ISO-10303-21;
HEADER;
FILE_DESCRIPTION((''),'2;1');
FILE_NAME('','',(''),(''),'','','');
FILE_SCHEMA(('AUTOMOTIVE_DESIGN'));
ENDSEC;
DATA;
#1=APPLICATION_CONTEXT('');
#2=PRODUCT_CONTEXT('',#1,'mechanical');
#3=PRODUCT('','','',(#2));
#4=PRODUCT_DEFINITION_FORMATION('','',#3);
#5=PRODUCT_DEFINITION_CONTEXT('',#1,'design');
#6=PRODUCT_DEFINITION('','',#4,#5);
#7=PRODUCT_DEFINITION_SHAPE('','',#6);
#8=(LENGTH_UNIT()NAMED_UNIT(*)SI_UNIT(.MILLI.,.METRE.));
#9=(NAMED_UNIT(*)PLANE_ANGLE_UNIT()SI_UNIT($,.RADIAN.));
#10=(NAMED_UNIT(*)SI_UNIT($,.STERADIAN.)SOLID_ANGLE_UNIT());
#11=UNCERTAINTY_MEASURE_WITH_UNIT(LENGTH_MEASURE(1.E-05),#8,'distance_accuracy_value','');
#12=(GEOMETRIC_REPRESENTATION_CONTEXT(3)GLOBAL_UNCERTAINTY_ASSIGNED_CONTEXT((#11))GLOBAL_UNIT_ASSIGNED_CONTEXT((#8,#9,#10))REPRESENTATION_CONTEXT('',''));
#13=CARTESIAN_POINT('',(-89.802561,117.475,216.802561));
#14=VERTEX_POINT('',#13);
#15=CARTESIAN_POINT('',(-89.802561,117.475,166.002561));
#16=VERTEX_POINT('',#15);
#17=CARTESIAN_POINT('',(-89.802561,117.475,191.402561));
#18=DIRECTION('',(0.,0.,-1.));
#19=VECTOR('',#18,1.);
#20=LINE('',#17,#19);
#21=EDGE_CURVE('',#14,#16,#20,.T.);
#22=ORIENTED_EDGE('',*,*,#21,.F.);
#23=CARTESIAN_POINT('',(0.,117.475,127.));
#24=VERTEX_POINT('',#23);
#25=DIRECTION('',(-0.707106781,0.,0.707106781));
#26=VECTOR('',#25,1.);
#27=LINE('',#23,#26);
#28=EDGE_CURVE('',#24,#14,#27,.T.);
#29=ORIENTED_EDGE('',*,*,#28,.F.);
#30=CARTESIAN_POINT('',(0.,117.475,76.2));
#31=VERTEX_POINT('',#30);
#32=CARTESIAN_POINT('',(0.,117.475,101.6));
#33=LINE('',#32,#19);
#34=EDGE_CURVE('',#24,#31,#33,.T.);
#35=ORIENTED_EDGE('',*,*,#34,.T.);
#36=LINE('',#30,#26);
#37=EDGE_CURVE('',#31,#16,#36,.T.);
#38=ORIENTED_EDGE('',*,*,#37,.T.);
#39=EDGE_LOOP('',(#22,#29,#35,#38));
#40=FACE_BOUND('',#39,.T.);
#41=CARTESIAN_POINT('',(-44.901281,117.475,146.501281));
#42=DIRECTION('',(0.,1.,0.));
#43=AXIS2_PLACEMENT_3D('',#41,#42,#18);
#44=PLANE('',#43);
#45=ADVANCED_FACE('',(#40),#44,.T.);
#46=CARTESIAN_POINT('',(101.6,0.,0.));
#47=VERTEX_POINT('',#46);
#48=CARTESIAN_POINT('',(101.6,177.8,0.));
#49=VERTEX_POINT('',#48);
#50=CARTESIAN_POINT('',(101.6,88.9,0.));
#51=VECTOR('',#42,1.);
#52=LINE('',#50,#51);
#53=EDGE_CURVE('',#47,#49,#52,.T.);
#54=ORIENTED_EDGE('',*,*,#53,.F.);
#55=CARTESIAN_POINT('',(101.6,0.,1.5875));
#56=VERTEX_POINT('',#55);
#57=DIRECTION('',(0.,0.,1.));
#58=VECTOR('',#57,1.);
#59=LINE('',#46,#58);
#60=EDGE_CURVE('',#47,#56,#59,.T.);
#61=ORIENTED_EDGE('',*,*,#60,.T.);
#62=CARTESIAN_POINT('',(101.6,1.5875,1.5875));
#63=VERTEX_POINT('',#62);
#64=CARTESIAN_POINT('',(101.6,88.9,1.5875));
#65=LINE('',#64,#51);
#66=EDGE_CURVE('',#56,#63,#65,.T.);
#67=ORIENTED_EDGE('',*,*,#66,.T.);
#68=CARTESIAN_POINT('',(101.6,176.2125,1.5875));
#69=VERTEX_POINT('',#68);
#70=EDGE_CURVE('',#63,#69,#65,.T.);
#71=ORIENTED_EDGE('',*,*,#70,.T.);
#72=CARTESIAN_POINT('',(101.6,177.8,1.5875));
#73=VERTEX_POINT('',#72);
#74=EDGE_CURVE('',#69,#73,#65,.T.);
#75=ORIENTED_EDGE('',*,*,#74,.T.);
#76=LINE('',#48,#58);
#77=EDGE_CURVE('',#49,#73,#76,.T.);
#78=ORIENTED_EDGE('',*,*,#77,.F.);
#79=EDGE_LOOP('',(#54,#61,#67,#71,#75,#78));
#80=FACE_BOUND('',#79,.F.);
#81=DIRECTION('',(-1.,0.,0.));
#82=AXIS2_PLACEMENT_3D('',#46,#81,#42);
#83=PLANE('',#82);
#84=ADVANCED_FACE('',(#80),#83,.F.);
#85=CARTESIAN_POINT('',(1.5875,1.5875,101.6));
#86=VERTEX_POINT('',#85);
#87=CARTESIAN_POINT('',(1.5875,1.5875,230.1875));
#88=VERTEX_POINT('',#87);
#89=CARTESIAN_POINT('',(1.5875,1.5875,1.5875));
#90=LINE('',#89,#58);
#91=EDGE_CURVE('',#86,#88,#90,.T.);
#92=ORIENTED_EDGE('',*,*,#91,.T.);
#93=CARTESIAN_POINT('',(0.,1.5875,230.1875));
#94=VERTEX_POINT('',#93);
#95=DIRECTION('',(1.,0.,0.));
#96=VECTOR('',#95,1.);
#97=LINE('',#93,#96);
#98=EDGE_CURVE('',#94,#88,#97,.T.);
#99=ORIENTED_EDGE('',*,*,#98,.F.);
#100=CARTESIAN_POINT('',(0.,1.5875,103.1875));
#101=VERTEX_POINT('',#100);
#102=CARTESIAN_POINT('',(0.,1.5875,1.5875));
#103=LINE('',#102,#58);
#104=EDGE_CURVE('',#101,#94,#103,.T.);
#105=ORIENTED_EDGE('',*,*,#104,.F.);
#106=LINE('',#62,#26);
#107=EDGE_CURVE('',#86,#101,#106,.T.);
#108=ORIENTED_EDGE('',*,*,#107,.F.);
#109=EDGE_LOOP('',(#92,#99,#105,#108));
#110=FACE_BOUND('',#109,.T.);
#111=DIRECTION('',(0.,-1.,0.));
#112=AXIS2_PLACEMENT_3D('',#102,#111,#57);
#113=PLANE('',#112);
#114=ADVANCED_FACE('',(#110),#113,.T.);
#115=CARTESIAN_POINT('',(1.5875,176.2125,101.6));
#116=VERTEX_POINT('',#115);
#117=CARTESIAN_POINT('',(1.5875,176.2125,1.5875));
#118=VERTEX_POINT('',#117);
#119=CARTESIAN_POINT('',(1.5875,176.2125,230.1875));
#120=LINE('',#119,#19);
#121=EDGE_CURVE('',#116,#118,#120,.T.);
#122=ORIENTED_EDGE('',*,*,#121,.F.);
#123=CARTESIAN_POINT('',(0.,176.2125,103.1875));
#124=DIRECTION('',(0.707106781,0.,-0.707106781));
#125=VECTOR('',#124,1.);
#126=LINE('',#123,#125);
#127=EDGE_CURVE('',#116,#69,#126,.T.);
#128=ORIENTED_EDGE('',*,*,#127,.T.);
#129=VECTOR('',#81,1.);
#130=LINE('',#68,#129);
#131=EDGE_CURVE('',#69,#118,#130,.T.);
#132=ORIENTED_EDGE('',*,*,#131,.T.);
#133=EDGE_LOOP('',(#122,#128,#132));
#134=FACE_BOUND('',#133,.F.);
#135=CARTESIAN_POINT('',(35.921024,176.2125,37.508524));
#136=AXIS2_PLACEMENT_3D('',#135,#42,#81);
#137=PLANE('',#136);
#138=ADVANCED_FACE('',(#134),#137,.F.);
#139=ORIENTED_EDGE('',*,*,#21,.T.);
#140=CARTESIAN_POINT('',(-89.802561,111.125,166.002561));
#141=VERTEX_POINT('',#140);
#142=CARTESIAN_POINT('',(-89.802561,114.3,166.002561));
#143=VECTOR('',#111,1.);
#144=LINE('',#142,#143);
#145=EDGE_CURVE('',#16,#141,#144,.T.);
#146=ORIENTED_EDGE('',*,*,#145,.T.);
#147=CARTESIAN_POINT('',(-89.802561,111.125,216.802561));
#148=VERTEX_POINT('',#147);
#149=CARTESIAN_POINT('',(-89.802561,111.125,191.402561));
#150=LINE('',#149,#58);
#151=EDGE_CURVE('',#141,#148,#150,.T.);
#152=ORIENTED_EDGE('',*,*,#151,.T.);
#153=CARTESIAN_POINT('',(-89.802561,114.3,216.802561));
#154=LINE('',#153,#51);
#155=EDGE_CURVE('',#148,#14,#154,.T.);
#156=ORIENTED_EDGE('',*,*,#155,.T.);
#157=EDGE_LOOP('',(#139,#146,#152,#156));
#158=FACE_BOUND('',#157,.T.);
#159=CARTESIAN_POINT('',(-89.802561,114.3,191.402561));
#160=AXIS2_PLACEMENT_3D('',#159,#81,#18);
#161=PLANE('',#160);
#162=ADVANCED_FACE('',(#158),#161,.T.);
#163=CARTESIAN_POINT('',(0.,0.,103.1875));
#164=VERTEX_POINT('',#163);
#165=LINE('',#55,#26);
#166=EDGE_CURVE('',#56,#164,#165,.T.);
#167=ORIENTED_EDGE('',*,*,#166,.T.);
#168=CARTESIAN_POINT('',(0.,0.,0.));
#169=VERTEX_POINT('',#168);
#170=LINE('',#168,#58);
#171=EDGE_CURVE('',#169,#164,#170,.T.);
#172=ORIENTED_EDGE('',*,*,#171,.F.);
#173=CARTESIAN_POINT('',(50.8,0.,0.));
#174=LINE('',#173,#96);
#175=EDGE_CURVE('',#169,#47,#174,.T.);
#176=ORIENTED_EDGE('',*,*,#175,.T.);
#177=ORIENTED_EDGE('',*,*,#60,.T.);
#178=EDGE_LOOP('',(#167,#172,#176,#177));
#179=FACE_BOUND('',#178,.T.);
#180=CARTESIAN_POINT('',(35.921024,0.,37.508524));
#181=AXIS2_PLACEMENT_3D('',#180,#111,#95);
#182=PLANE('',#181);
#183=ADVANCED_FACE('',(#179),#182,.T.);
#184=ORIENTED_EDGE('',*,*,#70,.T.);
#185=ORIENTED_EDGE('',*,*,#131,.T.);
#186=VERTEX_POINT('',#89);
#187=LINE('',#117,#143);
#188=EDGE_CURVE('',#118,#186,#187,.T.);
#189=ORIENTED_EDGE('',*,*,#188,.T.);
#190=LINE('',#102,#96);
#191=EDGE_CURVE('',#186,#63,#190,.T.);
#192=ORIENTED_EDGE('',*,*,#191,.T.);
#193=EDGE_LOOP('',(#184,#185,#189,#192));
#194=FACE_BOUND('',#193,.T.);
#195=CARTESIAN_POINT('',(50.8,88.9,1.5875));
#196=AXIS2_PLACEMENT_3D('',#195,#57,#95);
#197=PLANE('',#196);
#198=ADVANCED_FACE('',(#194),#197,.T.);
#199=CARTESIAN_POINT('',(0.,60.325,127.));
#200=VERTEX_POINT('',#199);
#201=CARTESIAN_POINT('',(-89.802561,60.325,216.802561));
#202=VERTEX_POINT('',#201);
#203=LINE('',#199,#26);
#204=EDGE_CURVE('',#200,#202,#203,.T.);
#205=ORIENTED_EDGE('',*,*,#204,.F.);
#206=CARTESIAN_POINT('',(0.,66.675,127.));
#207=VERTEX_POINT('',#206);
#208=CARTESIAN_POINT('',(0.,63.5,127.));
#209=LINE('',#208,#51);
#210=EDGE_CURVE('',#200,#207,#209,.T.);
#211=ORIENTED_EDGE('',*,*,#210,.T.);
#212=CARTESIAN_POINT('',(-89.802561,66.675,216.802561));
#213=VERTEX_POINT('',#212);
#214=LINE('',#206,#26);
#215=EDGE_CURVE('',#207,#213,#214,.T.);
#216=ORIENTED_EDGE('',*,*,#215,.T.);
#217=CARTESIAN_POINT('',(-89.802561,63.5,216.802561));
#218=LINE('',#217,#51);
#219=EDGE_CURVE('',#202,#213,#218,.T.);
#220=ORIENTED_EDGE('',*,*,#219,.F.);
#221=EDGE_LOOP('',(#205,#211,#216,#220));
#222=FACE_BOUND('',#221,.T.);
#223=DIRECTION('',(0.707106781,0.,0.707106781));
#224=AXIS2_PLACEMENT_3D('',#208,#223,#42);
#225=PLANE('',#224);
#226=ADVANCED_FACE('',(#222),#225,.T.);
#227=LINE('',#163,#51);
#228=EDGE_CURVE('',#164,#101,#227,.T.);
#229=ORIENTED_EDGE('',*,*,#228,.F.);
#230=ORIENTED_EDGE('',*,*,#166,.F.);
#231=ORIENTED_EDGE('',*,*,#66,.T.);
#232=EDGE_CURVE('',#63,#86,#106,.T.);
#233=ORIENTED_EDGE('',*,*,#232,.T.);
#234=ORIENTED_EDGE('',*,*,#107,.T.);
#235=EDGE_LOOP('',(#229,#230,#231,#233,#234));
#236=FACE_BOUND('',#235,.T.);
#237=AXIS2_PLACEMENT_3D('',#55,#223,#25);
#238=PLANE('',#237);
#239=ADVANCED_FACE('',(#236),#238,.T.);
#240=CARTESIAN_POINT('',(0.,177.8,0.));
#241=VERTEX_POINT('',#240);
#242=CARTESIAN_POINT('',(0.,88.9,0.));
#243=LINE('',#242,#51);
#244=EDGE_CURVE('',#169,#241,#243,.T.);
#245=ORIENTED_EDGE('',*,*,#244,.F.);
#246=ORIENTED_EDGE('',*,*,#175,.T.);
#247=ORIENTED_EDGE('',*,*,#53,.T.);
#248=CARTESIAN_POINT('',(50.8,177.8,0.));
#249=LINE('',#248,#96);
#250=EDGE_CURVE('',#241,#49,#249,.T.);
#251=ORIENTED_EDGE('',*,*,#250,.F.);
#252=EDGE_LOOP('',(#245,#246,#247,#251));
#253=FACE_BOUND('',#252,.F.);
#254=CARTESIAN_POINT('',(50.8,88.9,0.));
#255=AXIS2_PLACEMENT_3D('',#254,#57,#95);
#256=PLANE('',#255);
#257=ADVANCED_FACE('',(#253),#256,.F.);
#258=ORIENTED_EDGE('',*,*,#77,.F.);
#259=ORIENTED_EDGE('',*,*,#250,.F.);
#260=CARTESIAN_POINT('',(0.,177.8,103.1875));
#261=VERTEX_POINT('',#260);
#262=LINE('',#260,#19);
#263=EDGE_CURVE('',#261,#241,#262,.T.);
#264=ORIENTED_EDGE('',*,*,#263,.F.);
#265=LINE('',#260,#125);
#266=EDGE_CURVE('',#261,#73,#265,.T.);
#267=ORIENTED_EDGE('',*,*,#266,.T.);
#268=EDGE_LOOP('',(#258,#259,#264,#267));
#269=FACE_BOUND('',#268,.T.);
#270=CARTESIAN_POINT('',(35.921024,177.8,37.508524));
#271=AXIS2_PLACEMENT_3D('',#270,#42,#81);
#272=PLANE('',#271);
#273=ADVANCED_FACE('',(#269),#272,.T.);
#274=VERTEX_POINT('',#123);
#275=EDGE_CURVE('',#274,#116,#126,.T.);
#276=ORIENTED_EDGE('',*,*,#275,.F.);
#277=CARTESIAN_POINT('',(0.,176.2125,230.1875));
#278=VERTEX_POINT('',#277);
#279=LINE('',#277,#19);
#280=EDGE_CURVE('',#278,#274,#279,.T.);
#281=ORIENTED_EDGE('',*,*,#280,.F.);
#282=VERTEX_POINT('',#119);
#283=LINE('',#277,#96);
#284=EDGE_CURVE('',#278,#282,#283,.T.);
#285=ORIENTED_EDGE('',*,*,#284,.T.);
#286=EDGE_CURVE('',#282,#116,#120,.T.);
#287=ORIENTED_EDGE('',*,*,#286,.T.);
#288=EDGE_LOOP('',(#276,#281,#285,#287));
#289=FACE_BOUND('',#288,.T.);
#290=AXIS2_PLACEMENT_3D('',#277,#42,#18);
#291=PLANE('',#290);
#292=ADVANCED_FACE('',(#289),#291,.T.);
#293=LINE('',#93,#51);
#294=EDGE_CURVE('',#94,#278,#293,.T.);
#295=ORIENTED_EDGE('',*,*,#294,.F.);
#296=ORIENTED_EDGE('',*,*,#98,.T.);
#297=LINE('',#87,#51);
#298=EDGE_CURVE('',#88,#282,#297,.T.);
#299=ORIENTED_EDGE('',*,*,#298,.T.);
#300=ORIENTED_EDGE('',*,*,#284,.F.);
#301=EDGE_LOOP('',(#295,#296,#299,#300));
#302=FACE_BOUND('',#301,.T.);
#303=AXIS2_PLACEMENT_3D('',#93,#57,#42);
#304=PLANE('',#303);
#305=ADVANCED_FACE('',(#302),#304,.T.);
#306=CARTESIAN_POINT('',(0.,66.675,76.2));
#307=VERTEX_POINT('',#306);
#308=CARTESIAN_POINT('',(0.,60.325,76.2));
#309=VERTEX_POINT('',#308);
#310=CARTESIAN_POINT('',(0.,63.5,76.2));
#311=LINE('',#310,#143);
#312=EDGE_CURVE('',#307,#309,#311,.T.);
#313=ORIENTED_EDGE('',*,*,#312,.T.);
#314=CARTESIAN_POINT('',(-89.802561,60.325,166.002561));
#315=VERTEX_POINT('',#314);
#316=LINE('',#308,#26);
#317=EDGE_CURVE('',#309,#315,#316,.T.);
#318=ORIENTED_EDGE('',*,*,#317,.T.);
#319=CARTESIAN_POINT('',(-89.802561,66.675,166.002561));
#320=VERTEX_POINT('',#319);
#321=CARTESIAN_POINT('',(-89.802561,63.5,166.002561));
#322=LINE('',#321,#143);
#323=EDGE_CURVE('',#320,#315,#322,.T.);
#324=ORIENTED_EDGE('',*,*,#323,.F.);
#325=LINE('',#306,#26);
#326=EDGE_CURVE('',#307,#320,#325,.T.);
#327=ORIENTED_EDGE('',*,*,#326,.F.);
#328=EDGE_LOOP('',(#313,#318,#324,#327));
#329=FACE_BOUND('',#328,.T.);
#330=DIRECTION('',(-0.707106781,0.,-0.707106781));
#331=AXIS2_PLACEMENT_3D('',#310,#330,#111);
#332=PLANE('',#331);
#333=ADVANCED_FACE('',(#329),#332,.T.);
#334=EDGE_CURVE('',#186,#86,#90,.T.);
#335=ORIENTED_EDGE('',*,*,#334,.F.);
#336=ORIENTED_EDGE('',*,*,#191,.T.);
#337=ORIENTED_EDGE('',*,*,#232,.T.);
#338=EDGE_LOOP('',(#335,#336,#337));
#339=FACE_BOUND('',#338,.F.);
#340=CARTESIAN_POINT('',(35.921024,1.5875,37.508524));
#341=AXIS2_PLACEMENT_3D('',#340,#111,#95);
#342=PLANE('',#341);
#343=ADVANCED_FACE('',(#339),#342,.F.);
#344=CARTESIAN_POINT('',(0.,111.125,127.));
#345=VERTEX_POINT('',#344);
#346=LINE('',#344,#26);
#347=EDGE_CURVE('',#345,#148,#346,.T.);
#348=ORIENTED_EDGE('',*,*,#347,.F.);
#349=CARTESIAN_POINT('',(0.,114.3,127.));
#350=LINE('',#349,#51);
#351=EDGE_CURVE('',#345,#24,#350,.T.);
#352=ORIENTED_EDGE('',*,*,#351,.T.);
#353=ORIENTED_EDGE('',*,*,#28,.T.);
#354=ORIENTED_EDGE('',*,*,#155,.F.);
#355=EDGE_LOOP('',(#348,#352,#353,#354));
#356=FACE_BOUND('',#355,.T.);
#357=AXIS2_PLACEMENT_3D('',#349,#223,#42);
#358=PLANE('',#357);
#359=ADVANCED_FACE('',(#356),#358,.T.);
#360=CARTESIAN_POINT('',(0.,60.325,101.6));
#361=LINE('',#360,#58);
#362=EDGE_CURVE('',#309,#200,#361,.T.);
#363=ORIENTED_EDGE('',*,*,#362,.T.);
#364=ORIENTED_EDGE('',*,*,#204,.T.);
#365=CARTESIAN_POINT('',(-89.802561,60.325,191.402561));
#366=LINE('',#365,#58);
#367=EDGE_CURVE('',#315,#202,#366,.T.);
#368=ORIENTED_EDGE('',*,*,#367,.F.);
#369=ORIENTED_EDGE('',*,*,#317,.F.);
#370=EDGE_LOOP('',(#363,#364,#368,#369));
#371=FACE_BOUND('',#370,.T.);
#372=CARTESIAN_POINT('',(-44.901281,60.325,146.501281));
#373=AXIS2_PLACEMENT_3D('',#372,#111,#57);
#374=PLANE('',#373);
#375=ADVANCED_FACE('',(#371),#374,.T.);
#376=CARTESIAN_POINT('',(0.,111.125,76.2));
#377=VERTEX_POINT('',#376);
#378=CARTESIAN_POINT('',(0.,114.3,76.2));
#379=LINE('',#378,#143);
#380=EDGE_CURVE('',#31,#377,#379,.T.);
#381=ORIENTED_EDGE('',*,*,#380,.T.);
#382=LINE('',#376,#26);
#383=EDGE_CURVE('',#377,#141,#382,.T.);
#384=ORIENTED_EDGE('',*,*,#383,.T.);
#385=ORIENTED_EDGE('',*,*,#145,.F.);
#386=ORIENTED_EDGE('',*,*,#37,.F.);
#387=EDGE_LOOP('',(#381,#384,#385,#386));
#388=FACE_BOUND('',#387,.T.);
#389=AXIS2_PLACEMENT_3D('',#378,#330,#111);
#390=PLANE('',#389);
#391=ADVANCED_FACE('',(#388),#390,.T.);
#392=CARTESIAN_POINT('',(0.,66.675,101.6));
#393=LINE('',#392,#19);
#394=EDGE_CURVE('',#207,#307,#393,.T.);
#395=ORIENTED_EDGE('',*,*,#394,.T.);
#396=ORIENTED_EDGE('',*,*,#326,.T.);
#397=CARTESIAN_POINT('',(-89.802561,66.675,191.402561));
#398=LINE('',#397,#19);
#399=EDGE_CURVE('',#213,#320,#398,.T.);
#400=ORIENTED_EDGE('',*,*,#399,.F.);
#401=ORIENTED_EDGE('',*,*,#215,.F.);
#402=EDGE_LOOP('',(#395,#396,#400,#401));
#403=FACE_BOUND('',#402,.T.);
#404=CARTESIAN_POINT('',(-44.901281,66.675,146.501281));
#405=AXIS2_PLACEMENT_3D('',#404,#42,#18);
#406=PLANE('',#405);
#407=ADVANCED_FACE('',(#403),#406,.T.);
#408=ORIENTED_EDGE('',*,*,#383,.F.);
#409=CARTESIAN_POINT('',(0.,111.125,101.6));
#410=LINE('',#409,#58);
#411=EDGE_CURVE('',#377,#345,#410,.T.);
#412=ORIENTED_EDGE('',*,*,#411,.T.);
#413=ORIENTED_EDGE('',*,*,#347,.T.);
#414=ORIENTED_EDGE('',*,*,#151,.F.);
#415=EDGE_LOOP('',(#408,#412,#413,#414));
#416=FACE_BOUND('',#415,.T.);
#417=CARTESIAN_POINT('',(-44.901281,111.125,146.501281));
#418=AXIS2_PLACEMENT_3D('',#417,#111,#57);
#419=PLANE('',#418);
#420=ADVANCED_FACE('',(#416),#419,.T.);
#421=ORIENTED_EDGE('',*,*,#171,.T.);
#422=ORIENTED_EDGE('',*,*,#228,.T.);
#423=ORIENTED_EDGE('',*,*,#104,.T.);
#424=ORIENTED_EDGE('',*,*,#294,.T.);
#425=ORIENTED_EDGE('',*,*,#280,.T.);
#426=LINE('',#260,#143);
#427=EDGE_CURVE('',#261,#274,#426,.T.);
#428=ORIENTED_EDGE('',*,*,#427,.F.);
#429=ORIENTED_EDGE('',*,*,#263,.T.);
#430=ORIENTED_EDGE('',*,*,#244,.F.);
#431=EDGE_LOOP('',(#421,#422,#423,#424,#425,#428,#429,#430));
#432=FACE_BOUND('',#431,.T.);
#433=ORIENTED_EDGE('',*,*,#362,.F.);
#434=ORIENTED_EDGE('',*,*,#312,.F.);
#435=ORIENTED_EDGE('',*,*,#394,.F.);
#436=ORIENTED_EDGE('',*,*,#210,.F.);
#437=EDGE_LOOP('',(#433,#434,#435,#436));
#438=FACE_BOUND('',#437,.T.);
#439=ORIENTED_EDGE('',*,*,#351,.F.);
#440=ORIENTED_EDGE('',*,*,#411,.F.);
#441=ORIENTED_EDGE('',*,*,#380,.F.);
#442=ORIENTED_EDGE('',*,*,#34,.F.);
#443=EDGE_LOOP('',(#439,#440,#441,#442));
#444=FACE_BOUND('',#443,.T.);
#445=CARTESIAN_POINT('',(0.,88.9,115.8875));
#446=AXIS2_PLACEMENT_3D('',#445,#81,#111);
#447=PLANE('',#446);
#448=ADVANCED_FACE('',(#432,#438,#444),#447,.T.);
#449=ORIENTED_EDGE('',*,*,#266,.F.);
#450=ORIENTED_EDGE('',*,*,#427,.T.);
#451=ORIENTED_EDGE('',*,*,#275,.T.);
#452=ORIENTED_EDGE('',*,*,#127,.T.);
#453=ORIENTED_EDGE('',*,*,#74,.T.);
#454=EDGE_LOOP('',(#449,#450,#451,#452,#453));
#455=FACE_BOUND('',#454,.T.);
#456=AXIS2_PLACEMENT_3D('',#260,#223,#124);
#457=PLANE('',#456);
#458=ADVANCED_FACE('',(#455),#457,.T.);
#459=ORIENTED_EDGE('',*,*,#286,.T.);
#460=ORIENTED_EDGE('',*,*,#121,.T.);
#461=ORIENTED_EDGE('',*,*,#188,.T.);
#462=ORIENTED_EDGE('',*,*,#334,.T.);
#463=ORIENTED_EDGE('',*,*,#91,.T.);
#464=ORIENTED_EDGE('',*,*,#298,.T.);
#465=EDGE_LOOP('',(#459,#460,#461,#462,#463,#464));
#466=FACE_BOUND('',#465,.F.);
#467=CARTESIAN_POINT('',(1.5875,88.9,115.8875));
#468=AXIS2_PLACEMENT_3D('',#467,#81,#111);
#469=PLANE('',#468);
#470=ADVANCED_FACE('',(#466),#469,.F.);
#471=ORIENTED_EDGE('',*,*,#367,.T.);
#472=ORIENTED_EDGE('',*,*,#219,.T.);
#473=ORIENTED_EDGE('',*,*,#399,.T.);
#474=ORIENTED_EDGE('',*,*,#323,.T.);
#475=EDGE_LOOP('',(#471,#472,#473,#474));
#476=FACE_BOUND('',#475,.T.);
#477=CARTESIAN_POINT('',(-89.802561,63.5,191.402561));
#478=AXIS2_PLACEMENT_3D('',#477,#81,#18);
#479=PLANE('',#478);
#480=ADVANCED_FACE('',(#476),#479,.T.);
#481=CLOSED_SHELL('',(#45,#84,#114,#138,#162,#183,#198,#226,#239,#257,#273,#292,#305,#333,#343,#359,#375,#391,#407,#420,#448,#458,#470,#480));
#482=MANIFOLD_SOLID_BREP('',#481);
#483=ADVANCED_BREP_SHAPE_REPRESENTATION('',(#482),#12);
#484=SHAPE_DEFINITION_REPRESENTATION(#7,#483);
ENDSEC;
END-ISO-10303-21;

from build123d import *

# Parameters (mm, degrees)
F0_W     = 101.6
F0_H     = 177.8
F1_DEPTH = 1.5875
F3_DEPTH = 1.5875
F5_DEPTH = 1.5875
F7_DEPTH = 1.5875
F8_W     = 6.35
F8_H     = 50.8


with BuildPart() as f1:
    # F0 (on Top) → F1 (new body)
    with BuildSketch(Plane.XY):
        with Locations((50.8, 88.9)):
            Rectangle(F0_W, F0_H)
    extrude(amount=F1_DEPTH)

    # F2 (on Front) → F3 (join)
    with BuildSketch(Plane.XZ):
        Polygon((0, 103.1875), (0, 1.5875), (101.6, 1.5875), align=None)
    extrude(amount=-F3_DEPTH)

    # F4 (on face) → F5 (join)
    with BuildSketch(Plane(origin=(0, 177.8, 0), x_dir=(-1, 0, 0), z_dir=(0, 1, 0))):
        Polygon((-101.6, 1.5875), (0, 1.5875), (0, 103.1875), align=None)
    extrude(amount=-F5_DEPTH)

    # F6 (on face) → F7 (join)
    with BuildSketch(Plane(origin=(0, 0, 0), x_dir=(0, -1, 0), z_dir=(-1, 0, 0))):
        Polygon((-176.2125, 1.5875), (-1.5875, 1.5875), (-1.5875, 103.1875), (-1.5875, 230.1875), (-176.2125, 230.1875), (-176.2125, 103.1875), align=None)
    extrude(amount=-F7_DEPTH)

    # F11: sweep along a path in F10
    with BuildLine(Plane(origin=(0, 66.675, 0), x_dir=(-1, 0, 0), z_dir=(0, 1, 0))) as f11_path:
        Line((0, 76.2), (89.8025612107, 166.0025612107))
    # F8 (on face) → F11 (sweep)
    with BuildSketch(Plane(origin=(0, 0, 0), x_dir=(0, -1, 0), z_dir=(-1, 0, 0))):
        with Locations((-63.5, 101.6)):
            Rectangle(F8_W, F8_H)
        with Locations((-114.3, 101.6)):
            Rectangle(F8_W, F8_H)
    sweep(path=f11_path.line)


solid = f1.part
